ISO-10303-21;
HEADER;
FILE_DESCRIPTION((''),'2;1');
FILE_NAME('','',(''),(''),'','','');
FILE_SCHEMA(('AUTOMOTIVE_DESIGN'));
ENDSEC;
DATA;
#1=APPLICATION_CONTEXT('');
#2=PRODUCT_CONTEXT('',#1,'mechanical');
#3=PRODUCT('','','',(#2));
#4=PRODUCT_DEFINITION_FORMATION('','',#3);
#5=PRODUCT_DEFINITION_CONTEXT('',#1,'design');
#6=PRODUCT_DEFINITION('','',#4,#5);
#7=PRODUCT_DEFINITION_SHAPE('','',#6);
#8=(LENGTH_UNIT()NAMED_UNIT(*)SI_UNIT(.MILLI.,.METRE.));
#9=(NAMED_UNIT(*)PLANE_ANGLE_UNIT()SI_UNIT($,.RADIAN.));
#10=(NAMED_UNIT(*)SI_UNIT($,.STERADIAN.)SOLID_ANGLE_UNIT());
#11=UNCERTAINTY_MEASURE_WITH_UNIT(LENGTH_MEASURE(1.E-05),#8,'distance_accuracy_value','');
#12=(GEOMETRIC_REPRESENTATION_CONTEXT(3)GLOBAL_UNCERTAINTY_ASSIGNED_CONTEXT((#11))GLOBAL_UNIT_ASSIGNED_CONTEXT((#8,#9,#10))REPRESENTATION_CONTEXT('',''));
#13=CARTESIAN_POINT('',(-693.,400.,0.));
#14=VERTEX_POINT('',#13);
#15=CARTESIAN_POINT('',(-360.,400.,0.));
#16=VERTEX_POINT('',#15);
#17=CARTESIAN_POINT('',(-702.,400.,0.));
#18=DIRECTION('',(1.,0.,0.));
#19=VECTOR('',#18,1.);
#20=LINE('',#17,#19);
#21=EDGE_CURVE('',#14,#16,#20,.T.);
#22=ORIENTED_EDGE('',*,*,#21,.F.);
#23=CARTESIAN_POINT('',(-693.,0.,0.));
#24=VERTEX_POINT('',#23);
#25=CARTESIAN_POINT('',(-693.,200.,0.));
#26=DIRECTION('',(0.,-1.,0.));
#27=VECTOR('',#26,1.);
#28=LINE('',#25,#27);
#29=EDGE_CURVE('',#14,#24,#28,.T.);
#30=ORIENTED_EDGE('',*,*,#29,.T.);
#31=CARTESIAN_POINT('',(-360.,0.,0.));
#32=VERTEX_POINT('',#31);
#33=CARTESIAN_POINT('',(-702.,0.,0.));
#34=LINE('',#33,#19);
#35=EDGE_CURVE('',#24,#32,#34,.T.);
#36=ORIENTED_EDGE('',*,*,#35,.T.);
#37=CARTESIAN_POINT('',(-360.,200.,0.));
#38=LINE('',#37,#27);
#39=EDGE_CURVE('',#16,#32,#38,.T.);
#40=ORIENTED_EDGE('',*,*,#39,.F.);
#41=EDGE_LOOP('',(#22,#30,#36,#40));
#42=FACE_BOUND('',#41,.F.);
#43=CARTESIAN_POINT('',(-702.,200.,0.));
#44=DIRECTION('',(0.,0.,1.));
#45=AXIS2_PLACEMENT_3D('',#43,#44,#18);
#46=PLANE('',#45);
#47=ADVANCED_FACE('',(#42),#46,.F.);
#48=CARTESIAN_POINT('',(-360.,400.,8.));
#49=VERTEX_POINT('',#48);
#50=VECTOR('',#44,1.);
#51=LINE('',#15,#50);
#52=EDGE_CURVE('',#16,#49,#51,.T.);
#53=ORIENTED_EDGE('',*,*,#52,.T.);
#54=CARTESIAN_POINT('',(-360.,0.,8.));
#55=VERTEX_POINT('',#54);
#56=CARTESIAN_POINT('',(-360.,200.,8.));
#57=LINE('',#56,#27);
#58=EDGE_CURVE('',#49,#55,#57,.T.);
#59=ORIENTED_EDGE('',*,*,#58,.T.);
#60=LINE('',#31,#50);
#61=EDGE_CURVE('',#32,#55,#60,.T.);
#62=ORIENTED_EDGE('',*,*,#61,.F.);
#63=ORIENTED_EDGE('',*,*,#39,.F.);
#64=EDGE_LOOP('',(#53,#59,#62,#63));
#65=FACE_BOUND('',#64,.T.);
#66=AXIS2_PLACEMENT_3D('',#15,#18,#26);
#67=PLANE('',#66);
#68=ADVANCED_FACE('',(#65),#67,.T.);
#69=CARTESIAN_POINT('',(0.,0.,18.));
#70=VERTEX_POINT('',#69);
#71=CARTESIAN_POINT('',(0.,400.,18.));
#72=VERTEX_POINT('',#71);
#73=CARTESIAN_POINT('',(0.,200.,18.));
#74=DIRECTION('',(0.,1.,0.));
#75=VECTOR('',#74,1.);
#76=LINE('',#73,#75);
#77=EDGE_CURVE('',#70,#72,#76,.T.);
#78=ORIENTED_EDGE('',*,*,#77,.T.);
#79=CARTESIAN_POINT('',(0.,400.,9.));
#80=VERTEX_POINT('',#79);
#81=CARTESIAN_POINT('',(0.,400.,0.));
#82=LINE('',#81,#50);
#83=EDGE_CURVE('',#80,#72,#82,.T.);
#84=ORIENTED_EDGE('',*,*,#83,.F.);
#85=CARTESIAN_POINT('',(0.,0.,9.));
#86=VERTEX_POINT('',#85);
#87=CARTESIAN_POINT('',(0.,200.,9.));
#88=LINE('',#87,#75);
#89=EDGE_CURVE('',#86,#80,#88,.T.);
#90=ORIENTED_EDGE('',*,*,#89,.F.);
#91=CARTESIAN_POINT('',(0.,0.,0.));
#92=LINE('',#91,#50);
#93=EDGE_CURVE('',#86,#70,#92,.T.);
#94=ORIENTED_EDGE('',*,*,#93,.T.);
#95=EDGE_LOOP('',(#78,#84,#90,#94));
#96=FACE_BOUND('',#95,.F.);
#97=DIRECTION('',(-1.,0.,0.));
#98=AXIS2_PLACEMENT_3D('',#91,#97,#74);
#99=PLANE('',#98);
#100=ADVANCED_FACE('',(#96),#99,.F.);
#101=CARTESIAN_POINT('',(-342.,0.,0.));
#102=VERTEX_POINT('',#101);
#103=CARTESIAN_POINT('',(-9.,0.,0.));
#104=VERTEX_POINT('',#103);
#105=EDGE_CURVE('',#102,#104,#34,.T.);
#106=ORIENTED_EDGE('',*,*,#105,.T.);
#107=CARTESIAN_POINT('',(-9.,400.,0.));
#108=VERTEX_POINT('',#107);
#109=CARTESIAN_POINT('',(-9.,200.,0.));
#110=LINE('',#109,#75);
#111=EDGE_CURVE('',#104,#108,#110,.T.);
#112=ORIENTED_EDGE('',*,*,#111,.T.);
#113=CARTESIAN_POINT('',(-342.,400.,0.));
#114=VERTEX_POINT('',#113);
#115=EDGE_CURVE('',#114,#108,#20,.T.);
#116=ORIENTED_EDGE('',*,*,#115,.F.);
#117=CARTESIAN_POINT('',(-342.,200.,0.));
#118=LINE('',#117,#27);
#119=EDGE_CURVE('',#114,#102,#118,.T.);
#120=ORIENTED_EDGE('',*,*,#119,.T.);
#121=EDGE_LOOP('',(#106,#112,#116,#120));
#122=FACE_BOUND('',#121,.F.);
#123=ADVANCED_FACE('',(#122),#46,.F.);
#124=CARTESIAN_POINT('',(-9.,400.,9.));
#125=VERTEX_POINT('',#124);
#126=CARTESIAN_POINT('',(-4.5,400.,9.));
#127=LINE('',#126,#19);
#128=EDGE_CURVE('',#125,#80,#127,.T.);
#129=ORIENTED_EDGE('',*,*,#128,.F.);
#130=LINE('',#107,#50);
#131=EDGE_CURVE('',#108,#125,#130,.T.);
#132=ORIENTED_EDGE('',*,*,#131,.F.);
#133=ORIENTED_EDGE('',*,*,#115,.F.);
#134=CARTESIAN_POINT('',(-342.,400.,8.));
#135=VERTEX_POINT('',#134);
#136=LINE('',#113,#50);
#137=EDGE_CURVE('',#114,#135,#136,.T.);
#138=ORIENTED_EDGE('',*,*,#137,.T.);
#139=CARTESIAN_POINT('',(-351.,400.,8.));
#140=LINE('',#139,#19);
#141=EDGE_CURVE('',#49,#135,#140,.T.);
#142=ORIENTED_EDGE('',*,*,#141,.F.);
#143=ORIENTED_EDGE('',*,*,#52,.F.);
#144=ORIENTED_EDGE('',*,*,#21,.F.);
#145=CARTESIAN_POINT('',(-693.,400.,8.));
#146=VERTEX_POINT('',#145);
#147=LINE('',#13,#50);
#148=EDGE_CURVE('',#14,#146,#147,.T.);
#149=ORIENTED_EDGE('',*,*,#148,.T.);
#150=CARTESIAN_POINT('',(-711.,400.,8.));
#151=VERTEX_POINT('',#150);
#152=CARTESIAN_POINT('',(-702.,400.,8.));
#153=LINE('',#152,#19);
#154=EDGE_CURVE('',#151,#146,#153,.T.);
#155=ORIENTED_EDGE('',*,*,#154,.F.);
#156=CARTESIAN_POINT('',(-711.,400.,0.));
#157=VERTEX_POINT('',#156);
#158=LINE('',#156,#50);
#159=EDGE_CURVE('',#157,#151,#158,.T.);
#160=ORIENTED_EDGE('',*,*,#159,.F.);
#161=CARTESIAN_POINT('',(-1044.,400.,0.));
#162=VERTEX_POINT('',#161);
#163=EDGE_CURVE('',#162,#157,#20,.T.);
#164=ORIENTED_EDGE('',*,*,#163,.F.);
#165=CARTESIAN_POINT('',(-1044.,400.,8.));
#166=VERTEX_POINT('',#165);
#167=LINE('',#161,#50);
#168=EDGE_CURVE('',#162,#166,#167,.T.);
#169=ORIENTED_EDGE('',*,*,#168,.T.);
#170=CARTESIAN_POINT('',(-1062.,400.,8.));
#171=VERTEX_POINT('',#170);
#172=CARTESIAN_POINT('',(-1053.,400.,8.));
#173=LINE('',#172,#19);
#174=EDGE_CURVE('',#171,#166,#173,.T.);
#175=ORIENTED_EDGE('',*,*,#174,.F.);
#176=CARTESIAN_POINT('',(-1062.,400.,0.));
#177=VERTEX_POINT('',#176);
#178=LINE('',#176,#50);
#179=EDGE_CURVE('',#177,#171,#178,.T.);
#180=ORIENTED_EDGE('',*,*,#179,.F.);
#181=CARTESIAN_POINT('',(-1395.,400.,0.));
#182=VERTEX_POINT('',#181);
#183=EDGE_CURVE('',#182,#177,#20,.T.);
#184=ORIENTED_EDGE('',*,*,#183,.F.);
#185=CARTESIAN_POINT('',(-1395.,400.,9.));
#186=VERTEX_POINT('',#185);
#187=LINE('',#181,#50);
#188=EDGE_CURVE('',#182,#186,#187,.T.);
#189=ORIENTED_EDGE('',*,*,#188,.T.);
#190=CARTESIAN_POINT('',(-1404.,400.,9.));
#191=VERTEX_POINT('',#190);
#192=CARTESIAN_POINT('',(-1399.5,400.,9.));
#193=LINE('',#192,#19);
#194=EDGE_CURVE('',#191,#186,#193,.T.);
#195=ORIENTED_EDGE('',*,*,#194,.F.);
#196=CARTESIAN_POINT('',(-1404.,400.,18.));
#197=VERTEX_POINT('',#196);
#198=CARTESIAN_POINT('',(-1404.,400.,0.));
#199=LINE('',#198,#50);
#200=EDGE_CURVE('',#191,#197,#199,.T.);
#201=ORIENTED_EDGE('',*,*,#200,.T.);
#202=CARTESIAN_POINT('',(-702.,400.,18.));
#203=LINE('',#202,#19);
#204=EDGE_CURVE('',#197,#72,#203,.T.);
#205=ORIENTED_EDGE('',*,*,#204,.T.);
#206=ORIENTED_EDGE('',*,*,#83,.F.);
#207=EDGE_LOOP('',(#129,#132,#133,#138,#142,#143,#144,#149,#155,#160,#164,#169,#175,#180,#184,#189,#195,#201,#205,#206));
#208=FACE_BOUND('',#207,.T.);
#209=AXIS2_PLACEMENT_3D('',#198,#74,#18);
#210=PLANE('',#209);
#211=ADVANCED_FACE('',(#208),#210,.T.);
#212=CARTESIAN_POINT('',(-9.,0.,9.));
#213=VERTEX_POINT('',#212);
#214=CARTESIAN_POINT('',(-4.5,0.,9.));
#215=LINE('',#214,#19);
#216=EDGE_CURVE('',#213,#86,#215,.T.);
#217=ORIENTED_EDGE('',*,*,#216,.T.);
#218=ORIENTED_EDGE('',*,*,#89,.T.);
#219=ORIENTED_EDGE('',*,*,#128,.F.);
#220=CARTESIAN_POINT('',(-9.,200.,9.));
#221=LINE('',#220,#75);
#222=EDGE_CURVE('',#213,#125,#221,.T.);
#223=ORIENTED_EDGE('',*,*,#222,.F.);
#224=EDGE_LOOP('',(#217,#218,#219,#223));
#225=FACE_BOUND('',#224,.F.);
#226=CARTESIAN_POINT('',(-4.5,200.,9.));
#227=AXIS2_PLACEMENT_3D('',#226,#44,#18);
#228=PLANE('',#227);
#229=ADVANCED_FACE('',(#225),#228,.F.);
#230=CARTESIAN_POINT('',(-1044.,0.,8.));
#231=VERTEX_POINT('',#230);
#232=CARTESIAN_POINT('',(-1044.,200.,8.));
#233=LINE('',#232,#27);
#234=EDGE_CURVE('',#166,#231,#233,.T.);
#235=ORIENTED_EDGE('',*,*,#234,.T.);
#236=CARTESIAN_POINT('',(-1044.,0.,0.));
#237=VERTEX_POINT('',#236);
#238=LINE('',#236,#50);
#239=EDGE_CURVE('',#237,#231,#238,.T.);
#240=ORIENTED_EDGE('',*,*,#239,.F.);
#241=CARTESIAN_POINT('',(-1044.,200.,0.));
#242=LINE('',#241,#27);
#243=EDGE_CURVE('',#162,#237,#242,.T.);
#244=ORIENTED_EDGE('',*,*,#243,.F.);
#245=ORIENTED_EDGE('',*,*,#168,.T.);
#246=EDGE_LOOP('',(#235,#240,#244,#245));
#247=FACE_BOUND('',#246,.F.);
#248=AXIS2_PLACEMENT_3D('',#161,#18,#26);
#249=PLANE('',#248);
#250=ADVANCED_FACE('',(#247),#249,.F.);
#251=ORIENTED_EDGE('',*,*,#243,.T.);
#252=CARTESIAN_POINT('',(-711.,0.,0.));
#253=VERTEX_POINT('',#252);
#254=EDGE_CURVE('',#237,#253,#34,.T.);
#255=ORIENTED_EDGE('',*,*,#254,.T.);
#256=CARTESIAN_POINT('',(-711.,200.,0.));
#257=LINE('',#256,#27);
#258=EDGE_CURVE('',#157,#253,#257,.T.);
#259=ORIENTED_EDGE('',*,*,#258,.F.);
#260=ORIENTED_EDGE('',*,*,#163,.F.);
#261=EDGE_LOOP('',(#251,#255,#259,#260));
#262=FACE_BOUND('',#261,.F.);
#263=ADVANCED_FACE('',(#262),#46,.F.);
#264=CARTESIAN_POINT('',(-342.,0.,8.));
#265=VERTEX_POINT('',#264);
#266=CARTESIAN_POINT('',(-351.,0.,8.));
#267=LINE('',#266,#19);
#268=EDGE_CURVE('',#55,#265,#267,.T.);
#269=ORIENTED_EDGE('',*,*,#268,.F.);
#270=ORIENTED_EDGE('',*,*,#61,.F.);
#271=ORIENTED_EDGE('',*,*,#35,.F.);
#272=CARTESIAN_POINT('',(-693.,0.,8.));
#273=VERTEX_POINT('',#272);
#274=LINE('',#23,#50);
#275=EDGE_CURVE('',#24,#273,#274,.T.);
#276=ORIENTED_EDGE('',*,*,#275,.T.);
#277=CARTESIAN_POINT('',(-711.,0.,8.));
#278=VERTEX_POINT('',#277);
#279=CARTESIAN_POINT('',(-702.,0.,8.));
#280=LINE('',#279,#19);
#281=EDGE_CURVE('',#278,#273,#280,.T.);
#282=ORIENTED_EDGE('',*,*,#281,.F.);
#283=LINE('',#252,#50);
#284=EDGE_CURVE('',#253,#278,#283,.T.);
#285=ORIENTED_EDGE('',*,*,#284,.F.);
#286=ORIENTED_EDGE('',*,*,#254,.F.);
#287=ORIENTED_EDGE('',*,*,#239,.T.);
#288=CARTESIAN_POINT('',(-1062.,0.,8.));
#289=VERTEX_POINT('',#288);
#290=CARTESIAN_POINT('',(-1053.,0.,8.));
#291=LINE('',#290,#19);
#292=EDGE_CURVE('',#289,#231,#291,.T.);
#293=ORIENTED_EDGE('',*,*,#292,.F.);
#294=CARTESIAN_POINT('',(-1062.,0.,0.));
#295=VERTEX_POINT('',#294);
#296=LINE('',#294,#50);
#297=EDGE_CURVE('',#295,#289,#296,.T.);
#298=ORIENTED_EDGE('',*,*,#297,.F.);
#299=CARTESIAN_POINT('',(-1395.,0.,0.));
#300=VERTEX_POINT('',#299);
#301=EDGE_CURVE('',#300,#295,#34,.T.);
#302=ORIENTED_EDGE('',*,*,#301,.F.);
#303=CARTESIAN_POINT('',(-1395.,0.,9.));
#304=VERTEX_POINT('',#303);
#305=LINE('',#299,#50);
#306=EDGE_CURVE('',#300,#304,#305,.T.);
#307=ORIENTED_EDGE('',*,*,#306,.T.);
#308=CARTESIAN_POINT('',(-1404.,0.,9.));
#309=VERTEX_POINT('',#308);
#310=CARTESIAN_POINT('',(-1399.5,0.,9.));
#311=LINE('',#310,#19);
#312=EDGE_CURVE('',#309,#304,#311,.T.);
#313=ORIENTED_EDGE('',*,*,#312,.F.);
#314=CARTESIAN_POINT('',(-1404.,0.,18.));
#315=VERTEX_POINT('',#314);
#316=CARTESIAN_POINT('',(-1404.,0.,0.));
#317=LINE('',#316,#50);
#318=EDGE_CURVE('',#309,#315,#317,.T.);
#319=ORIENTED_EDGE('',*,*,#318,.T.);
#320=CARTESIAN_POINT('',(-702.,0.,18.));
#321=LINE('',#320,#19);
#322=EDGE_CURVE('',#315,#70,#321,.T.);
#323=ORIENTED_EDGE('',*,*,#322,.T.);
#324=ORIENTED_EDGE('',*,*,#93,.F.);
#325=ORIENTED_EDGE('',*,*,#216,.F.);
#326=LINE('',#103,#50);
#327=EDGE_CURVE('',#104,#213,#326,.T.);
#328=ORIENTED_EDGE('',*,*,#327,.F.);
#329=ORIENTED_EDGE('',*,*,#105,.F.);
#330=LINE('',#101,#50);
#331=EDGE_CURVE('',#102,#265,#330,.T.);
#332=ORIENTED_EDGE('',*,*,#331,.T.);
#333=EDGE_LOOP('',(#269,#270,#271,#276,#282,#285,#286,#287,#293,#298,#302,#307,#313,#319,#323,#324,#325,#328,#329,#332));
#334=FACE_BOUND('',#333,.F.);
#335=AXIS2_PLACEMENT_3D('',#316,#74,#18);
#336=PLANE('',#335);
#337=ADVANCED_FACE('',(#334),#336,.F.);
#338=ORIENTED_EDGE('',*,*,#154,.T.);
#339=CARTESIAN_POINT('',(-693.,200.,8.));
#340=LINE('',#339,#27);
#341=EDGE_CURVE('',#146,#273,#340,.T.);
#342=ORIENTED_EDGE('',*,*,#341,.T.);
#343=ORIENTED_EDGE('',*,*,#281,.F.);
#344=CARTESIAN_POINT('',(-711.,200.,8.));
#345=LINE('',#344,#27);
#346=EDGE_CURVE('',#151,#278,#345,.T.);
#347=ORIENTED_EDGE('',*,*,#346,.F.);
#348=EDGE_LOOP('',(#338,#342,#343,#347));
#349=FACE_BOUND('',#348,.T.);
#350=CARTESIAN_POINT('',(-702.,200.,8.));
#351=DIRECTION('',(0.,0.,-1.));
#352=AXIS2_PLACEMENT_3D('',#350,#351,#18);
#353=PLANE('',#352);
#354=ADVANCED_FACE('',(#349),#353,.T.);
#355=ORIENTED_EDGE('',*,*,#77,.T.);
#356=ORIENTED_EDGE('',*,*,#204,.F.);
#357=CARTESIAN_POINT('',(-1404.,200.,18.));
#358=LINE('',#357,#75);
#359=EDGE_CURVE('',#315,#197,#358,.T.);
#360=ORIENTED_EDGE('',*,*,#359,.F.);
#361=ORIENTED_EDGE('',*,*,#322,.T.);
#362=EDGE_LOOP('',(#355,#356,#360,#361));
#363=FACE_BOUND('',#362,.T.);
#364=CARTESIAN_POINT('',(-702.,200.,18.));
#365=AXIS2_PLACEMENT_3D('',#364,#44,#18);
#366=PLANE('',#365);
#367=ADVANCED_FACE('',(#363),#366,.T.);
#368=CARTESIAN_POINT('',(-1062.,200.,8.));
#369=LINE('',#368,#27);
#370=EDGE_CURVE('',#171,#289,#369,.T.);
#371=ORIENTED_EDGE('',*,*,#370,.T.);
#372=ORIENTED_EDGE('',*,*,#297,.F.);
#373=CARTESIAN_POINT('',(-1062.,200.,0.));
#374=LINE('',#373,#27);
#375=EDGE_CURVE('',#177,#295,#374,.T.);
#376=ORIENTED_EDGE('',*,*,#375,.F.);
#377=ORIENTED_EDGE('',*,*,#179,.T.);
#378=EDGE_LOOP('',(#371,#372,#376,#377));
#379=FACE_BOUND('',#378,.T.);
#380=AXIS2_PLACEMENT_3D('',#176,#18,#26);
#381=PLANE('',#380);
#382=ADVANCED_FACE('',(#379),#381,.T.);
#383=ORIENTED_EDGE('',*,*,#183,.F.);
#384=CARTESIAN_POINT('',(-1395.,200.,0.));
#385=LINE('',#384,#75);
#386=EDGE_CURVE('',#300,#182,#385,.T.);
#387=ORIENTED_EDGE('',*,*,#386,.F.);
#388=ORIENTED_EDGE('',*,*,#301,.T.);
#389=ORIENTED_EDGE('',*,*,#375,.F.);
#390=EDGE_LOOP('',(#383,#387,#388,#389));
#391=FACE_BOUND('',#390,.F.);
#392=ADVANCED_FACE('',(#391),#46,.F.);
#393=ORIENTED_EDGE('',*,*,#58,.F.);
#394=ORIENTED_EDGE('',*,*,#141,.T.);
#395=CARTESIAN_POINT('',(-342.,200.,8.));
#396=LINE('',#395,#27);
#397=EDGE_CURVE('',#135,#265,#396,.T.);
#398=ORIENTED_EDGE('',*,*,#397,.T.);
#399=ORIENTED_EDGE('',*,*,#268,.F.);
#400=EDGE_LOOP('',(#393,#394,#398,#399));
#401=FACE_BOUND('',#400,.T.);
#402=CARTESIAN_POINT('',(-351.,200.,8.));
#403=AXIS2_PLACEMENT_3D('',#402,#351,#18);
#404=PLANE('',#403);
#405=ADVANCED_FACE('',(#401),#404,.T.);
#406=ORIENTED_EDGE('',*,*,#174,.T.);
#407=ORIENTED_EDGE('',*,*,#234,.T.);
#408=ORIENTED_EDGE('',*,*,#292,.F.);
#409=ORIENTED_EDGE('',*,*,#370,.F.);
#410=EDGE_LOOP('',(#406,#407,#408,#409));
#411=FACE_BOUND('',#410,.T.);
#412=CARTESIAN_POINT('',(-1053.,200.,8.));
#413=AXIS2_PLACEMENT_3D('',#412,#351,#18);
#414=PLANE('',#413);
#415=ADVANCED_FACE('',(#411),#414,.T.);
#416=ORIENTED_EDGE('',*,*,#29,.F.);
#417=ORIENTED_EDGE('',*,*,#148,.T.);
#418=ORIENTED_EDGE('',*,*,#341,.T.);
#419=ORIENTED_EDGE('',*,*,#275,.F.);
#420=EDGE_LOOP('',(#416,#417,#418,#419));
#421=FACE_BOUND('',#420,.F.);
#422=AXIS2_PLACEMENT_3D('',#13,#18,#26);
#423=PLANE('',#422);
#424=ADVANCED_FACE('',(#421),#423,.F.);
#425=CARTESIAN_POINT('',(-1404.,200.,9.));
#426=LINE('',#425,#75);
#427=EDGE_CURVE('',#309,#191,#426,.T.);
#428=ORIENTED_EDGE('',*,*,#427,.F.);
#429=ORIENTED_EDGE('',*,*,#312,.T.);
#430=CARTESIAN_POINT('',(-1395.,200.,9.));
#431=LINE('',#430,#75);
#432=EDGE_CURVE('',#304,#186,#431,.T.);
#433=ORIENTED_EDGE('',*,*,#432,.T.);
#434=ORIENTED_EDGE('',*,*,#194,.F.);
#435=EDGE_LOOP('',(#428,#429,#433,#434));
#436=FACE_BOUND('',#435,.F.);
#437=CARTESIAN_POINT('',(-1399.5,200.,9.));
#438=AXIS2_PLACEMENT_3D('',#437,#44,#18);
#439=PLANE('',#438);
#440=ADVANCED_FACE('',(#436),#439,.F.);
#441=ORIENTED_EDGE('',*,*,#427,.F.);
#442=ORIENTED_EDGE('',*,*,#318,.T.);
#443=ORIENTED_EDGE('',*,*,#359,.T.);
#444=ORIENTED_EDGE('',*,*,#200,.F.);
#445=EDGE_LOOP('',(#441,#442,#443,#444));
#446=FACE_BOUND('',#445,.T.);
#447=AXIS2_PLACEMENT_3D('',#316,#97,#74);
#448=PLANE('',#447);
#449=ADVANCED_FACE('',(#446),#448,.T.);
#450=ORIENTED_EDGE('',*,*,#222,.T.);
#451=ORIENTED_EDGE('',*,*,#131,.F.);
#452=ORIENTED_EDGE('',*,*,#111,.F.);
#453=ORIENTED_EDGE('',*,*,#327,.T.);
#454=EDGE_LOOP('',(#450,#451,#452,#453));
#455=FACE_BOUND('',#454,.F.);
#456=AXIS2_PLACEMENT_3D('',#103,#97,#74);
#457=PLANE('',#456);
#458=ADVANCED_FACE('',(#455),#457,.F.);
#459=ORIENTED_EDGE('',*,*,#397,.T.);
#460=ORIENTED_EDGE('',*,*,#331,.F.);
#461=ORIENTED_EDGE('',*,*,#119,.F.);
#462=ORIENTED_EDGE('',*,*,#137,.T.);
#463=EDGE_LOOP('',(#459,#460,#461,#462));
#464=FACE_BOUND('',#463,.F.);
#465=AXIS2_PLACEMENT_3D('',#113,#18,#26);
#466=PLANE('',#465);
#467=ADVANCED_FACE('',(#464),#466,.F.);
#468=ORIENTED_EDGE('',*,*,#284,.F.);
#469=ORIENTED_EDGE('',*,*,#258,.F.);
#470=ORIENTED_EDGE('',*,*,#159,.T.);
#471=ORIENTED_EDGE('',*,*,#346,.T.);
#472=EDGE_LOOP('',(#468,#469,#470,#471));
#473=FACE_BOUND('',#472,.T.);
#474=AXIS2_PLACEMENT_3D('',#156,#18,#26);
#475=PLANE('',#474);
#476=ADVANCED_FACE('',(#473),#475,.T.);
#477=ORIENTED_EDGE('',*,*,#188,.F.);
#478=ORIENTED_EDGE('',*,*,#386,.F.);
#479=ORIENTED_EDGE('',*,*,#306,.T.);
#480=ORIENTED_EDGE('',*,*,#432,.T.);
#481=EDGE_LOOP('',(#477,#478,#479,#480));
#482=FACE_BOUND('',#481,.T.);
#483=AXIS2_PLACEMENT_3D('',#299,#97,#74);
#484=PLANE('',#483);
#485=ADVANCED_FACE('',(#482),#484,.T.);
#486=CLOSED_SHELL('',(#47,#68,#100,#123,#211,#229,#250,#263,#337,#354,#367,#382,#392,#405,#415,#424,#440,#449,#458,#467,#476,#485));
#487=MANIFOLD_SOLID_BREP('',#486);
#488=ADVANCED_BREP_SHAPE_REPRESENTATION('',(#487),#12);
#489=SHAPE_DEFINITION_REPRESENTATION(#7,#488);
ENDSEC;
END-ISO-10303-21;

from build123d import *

# Parameters (mm, degrees)
SKETCH_W        = 1404
SKETCH_H        = 400
PAD_DEPTH       = 18
SKETCH001_W     = 9
SKETCH001_H     = 400
POCKET_DEPTH    = 9
SKETCH002_W     = 18
SKETCH002_H     = 400
POCKET001_DEPTH = 8


with BuildPart() as part:
    # Sketch → Pad (new body)
    with BuildSketch(Plane.XY):
        with Locations((-702, 200)):
            Rectangle(SKETCH_W, SKETCH_H)
    extrude(amount=PAD_DEPTH)

    # Sketch001 → Pocket (cut)
    with BuildSketch(Plane.XY):
        with Locations((-4.5, 200)):
            Rectangle(SKETCH001_W, SKETCH001_H)
        with Locations((-1399.5, 200)):
            Rectangle(SKETCH001_W, SKETCH001_H)
    extrude(amount=POCKET_DEPTH, mode=Mode.SUBTRACT)

    # Sketch002 (on Face4 of Pocket) → Pocket001 (cut)
    with BuildSketch(Plane(origin=(0, 0, 0), x_dir=(1, 0, 0), z_dir=(0, 0, -1))):
        with Locations((-351, -200)):
            Rectangle(SKETCH002_W, SKETCH002_H)
        with Locations((-702, -200)):
            Rectangle(SKETCH002_W, SKETCH002_H)
        with Locations((-1053, -200)):
            Rectangle(SKETCH002_W, SKETCH002_H)
    extrude(amount=-POCKET001_DEPTH, mode=Mode.SUBTRACT)


solid = part.part
